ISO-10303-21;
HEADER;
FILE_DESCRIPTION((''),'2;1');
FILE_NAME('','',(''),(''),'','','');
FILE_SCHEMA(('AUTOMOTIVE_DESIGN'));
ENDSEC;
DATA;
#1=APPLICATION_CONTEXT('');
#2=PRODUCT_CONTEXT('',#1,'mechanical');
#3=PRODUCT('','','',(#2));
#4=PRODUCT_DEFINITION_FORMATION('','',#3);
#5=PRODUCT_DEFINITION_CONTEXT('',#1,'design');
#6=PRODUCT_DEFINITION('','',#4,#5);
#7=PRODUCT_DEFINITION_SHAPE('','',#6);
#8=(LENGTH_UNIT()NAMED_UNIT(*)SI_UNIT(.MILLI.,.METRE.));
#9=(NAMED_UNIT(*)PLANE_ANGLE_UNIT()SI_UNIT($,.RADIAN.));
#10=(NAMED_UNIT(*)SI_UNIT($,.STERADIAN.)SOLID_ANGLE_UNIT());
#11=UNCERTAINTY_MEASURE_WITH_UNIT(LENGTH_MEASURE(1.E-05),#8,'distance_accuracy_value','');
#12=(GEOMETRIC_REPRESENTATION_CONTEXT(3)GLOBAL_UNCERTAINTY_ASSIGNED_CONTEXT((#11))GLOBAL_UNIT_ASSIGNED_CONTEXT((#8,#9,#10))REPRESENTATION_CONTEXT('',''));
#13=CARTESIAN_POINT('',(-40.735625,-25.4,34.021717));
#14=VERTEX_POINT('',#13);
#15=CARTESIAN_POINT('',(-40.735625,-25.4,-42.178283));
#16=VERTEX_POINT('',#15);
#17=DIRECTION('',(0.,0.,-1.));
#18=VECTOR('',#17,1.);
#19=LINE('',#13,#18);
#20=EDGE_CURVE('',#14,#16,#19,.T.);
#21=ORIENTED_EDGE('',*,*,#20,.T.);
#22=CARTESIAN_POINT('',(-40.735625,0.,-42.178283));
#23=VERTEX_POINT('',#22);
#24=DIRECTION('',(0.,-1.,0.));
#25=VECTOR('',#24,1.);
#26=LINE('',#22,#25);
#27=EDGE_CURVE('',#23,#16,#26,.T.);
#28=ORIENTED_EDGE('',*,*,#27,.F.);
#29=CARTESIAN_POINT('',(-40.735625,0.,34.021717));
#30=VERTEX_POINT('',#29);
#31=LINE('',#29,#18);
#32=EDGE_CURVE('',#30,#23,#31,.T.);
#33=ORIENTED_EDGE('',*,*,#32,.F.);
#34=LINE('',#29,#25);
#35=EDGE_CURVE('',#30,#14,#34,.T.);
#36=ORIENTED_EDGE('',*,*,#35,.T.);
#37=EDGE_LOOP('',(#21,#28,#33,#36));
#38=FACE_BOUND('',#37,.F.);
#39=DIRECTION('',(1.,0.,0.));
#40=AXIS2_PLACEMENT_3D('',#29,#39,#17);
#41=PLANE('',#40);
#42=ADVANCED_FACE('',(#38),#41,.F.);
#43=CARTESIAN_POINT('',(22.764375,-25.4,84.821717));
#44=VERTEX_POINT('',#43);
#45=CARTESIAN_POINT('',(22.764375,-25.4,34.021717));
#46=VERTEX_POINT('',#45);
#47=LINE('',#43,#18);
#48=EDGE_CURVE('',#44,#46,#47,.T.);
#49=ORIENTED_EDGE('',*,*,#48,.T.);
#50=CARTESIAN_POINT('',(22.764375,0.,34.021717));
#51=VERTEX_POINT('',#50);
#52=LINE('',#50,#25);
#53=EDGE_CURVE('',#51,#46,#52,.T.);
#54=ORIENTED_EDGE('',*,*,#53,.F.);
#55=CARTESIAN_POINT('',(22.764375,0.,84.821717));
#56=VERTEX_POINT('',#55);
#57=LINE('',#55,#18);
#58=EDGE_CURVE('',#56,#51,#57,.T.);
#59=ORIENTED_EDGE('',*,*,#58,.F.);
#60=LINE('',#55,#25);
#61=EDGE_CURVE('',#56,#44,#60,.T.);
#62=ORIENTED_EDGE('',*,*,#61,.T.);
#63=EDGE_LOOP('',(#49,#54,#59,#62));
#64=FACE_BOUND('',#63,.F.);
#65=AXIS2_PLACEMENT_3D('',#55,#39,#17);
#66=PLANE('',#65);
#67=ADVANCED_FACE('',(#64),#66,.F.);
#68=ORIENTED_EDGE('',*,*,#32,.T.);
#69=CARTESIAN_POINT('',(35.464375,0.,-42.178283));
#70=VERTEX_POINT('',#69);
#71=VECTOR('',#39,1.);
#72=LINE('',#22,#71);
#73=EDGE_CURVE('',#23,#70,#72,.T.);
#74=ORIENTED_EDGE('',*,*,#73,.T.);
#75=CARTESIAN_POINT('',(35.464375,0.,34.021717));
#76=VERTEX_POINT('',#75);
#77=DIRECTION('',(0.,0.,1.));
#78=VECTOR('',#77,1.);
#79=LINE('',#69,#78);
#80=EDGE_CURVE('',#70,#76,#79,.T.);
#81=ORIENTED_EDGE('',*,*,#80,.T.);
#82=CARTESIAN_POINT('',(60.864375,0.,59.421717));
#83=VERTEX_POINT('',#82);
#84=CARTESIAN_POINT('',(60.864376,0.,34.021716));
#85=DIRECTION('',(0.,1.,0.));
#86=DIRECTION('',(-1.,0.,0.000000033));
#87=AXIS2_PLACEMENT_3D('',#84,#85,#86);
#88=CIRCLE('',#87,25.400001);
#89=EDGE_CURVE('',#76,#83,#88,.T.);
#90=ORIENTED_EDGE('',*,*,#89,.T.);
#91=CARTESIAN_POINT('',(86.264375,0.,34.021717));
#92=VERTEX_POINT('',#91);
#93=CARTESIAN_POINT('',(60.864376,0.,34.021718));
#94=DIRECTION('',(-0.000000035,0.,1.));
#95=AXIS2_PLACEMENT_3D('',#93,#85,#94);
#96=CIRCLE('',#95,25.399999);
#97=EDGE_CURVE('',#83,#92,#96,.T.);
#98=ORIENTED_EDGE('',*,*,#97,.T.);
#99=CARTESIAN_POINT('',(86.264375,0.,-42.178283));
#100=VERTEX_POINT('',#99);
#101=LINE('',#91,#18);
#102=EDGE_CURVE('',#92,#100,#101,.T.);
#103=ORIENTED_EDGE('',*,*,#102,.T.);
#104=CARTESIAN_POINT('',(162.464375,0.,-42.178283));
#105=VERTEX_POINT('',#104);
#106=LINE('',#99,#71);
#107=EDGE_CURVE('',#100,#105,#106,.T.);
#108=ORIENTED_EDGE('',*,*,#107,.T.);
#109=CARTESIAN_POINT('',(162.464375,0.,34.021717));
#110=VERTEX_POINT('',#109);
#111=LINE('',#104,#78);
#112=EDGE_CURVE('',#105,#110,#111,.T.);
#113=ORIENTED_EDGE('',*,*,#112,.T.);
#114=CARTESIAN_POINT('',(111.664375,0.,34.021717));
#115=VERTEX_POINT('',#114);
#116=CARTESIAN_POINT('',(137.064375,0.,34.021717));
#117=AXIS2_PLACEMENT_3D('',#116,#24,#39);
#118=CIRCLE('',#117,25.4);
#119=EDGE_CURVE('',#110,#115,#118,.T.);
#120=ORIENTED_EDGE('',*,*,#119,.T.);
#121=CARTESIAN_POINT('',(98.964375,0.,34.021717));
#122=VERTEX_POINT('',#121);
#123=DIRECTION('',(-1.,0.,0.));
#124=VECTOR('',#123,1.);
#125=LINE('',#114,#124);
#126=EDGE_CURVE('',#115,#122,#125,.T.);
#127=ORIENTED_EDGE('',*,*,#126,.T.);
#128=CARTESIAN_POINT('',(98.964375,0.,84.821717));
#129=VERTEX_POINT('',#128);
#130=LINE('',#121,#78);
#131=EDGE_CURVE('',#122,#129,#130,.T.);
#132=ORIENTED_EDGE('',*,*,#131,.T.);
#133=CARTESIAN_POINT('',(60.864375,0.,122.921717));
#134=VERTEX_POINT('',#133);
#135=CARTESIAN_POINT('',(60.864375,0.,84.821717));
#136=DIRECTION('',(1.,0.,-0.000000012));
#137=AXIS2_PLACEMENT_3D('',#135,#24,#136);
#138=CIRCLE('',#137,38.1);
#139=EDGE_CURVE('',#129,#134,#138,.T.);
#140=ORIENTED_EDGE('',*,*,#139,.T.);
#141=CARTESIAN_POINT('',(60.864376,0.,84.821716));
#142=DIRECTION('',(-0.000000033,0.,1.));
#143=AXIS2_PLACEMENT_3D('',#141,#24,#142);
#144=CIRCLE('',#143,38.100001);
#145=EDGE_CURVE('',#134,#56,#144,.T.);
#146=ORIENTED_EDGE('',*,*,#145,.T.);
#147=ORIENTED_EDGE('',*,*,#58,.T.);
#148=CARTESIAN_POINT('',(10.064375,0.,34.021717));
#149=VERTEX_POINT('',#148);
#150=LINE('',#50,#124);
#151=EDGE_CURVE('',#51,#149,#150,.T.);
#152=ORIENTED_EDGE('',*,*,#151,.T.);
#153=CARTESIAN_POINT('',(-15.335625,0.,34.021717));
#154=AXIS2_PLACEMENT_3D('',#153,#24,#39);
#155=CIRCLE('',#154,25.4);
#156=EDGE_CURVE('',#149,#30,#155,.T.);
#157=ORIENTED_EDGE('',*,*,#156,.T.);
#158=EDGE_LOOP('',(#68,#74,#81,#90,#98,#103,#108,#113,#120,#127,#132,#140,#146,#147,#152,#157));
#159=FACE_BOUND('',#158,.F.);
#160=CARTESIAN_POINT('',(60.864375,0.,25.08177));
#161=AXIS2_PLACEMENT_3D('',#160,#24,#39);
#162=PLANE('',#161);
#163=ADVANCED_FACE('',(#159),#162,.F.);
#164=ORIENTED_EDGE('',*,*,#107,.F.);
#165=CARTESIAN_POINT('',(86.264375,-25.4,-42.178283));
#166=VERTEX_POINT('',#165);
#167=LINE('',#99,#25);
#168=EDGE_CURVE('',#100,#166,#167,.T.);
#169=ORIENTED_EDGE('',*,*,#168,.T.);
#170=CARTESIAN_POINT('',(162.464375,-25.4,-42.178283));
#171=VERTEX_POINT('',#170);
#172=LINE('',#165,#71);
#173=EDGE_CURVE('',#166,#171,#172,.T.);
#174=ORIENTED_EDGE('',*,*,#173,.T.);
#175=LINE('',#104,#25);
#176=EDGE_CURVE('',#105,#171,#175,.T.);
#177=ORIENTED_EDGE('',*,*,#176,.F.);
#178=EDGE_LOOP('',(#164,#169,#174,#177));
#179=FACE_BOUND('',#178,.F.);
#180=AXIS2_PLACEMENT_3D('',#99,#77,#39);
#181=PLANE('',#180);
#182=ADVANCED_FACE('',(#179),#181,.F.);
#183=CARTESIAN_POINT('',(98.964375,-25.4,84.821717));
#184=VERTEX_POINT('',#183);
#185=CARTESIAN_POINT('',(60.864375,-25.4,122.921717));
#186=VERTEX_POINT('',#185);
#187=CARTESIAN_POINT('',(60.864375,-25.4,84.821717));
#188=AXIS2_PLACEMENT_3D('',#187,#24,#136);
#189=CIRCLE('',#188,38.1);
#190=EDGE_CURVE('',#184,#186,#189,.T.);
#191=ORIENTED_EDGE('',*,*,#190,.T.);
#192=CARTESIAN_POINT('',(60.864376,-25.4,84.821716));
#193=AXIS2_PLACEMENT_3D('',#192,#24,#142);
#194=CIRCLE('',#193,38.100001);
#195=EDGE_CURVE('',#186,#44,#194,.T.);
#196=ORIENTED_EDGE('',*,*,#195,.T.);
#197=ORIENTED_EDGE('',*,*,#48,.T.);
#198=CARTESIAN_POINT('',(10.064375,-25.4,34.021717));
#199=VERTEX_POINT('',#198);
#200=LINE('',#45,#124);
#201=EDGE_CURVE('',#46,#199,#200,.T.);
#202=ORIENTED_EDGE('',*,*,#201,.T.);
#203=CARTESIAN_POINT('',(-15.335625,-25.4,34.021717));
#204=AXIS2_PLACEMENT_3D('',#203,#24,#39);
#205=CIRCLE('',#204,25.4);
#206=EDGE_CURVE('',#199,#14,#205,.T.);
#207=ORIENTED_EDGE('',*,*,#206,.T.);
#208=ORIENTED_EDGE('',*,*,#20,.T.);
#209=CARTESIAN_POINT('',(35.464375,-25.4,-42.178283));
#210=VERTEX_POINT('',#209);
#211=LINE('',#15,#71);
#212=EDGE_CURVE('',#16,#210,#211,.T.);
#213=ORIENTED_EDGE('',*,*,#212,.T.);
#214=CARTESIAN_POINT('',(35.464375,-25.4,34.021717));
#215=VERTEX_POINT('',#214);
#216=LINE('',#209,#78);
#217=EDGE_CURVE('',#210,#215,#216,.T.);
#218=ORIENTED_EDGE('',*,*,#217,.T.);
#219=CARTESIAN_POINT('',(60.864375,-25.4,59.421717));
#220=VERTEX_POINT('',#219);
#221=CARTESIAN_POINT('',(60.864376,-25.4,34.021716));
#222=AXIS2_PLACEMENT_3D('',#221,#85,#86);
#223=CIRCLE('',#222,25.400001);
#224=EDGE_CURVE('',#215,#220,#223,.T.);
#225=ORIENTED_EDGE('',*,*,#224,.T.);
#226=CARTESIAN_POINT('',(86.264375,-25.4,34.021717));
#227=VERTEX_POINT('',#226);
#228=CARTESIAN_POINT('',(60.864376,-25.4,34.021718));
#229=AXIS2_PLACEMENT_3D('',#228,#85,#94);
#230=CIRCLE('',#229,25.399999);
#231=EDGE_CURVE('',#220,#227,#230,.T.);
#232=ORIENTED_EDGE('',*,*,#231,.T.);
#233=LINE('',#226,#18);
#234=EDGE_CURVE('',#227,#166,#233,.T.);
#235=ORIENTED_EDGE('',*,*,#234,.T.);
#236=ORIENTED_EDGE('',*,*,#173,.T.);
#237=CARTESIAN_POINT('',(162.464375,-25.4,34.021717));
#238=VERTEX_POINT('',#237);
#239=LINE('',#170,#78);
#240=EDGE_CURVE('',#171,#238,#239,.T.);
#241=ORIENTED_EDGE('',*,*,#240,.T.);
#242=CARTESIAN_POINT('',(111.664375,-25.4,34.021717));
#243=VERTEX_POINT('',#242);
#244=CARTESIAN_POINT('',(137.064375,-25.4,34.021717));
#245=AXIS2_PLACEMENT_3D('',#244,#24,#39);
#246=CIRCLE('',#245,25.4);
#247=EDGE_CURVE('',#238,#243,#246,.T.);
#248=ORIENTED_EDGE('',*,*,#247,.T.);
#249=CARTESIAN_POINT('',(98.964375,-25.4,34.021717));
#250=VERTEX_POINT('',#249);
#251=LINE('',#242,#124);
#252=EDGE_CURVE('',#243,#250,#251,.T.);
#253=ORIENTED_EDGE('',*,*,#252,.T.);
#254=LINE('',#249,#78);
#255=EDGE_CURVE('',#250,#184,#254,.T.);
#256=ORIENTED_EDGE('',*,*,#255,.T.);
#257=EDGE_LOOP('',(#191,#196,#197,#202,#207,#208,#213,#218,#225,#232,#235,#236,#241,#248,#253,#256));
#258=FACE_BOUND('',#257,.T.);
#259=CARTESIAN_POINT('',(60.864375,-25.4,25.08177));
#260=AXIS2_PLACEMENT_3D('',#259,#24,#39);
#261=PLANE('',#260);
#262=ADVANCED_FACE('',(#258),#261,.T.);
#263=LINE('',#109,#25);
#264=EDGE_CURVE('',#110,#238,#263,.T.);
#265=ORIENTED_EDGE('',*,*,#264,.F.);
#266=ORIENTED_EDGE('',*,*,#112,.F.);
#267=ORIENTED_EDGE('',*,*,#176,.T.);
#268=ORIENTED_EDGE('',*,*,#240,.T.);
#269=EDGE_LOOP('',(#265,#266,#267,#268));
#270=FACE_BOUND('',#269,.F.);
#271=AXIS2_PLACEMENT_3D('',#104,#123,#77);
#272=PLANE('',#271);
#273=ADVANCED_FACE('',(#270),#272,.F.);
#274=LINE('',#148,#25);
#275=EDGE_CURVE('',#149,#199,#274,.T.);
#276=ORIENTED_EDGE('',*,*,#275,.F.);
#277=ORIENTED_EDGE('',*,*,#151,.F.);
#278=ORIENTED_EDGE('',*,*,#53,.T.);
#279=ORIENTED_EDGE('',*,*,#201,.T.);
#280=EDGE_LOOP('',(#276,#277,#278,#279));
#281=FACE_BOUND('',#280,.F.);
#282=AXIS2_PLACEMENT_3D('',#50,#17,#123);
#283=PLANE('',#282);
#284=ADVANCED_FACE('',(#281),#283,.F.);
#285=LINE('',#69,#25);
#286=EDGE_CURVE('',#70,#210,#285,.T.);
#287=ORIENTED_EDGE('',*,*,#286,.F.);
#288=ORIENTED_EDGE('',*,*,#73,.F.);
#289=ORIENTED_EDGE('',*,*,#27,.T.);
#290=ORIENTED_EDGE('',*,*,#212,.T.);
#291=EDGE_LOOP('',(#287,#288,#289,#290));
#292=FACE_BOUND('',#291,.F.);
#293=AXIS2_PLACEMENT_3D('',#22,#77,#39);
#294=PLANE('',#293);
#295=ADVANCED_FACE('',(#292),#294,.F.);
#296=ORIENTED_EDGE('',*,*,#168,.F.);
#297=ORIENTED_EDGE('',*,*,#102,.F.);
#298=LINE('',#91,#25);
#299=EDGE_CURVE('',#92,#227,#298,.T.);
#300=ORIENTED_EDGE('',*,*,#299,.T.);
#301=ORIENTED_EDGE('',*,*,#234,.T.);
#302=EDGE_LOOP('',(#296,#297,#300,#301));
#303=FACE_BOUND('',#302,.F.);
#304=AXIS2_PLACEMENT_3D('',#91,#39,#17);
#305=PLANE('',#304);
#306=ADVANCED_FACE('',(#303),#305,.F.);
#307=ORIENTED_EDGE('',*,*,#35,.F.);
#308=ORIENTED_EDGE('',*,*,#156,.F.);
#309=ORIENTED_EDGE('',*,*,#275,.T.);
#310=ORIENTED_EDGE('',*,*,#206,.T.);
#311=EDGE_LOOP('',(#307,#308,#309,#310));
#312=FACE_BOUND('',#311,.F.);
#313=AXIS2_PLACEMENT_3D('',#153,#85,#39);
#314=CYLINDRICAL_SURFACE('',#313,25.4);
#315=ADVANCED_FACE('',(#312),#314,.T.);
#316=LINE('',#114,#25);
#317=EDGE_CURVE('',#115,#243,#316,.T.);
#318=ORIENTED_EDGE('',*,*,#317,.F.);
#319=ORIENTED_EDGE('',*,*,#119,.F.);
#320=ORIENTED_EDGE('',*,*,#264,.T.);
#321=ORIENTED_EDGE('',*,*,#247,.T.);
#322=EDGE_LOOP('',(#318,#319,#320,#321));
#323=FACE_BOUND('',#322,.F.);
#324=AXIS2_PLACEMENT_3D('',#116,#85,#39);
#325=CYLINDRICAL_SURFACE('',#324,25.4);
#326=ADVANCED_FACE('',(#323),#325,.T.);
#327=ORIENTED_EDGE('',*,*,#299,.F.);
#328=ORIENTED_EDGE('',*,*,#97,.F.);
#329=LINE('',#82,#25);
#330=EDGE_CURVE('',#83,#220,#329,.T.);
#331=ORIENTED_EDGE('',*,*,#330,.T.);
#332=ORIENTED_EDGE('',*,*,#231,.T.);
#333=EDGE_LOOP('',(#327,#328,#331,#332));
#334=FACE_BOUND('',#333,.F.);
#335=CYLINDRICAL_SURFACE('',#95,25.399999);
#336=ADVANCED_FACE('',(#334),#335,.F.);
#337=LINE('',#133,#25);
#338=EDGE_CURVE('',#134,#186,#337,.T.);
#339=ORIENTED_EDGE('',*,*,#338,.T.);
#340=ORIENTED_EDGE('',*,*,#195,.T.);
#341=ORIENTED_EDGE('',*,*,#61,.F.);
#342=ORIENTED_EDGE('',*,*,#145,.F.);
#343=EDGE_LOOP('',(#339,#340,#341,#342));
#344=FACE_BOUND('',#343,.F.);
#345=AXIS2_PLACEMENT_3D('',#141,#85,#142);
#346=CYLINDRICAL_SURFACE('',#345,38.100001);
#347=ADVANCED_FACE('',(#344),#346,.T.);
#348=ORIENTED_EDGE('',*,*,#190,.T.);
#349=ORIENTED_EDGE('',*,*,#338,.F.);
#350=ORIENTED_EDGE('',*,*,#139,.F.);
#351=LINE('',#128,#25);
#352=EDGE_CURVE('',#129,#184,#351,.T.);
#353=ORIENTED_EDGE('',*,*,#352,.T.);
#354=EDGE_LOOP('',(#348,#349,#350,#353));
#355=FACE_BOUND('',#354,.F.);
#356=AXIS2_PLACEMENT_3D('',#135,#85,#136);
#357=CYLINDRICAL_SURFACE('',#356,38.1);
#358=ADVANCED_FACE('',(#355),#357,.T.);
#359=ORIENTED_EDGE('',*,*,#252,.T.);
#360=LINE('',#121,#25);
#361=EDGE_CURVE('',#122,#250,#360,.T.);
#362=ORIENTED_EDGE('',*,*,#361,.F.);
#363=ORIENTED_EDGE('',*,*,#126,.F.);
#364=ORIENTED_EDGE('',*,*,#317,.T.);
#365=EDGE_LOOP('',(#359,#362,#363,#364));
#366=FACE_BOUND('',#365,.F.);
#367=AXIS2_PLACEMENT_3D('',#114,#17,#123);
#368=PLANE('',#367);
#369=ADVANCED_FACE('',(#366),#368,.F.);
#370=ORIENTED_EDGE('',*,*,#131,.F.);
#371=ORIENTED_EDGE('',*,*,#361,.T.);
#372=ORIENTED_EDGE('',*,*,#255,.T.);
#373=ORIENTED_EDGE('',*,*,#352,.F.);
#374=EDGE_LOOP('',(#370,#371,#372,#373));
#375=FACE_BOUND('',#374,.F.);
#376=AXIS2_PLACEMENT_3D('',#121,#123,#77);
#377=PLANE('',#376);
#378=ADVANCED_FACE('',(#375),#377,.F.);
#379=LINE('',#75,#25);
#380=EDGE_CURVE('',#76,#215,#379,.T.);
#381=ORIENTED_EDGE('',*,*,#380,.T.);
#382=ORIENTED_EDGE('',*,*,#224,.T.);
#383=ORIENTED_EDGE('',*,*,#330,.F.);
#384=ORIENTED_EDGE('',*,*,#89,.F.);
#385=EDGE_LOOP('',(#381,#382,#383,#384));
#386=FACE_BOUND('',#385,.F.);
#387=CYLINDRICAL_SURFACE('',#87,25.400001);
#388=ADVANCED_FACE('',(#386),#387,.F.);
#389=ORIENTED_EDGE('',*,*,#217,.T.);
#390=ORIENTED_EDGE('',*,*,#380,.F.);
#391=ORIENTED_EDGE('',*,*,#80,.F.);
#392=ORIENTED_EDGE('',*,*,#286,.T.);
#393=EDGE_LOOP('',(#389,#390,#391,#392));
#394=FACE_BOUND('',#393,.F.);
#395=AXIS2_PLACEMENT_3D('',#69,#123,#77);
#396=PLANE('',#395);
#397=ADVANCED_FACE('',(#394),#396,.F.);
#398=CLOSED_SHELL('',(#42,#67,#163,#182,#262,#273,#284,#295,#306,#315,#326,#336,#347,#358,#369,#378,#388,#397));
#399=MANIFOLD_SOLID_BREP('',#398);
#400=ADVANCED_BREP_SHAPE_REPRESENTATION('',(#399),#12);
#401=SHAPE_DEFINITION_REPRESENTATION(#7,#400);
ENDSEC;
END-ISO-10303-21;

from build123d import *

# Parameters (mm, degrees)
F1_DEPTH = 25.4


with BuildPart() as f1:
    # F0 (on Front) → F1 (new body)
    with BuildSketch(Plane.XZ):
        with BuildLine():
            Line((-40.735625, 34.021717), (-40.735625, -42.178283))
            Line((-40.735625, -42.178283), (35.464375, -42.178283))
            Line((35.464375, -42.178283), (35.464375, 34.021717))
            ThreePointArc((35.464375, 34.021717), (42.903863, 51.982229), (60.864375, 59.421717))
            ThreePointArc((60.864375, 59.421717), (78.824888, 51.982229), (86.264375, 34.021717))
            Line((86.264375, 34.021717), (86.264375, -42.178283))
            Line((86.264375, -42.178283), (162.464375, -42.178283))
            Line((162.464375, -42.178283), (162.464375, 34.021717))
            ThreePointArc((162.464375, 34.021717), (137.064375, 59.421717), (111.664375, 34.021717))
            Line((111.664375, 34.021717), (98.964375, 34.021717))
            Line((98.964375, 34.021717), (98.964375, 84.821717))
            ThreePointArc((98.964375, 84.821717), (87.805144, 111.762485), (60.864375, 122.921717))
            ThreePointArc((60.864375, 122.921717), (33.923607, 111.762485), (22.764375, 84.821717))
            Line((22.764375, 84.821717), (22.764375, 34.021717))
            Line((22.764375, 34.021717), (10.064375, 34.021717))
            ThreePointArc((10.064375, 34.021717), (-15.335625, 59.421717), (-40.735625, 34.021717))
        make_face()
    extrude(amount=F1_DEPTH)


solid = f1.part
